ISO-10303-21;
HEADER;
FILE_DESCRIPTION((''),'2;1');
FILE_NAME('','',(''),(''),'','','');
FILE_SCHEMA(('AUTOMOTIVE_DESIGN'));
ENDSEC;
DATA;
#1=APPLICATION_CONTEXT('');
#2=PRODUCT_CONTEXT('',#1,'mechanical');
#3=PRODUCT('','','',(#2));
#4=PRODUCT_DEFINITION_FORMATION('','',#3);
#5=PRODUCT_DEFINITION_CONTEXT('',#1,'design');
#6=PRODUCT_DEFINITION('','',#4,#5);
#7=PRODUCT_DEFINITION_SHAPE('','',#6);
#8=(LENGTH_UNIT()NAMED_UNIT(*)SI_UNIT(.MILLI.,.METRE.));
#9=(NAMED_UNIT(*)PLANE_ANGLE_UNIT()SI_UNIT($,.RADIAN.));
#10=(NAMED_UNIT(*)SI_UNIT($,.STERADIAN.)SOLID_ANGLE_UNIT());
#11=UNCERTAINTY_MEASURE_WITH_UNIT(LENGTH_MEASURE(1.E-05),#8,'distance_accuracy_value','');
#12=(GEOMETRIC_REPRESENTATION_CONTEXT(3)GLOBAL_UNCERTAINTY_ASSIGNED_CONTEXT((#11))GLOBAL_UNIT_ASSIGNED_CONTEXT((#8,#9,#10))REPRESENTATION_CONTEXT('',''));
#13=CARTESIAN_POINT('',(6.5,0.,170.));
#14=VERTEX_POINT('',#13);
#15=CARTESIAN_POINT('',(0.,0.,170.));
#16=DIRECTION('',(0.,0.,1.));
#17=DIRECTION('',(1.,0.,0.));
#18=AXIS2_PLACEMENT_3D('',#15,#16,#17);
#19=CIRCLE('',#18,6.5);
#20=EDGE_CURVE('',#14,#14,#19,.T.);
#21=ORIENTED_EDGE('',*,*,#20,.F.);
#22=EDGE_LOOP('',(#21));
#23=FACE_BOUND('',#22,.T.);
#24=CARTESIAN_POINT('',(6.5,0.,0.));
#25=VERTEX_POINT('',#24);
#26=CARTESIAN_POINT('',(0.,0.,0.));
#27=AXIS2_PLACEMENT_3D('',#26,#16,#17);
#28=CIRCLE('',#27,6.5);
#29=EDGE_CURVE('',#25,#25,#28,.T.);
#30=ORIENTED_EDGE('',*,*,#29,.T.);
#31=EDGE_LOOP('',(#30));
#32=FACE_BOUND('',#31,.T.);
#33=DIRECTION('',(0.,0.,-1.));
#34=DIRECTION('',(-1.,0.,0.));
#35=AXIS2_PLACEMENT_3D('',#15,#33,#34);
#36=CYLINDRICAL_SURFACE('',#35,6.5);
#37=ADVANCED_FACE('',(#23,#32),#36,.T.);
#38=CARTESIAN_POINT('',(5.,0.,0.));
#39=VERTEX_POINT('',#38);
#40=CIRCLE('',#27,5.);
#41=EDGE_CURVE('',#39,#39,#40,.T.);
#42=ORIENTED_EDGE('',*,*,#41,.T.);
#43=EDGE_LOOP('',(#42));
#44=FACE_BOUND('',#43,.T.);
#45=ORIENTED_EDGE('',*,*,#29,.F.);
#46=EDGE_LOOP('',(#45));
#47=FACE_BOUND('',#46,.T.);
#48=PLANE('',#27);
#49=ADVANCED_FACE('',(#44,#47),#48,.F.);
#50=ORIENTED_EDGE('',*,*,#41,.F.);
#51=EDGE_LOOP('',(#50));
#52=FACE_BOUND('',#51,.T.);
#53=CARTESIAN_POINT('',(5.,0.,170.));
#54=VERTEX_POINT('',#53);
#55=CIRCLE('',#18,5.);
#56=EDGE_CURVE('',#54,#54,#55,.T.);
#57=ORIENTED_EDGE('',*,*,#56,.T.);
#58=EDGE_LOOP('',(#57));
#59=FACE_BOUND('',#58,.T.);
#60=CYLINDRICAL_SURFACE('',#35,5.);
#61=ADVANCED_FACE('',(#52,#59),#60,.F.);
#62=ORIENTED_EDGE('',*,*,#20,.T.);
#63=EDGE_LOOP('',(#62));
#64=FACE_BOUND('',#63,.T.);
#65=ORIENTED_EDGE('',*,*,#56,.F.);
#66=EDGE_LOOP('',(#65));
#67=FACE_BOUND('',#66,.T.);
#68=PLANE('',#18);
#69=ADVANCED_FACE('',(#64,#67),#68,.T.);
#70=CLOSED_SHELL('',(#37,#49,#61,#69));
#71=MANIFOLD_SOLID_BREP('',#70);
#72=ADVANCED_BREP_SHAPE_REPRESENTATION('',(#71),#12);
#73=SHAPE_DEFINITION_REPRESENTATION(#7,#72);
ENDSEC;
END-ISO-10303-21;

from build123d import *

# Parameters (mm, degrees)
SKETCH1_R           = 6.5
SKETCH1_R_2         = 5
EXTRUDE_THIN1_DEPTH = 170


with BuildPart() as part:
    # Sketch1 → Extrude-Thin1 (new body)
    with BuildSketch(Plane.XY):
        Circle(SKETCH1_R)
        Circle(SKETCH1_R_2, mode=Mode.SUBTRACT)
    extrude(amount=EXTRUDE_THIN1_DEPTH)


solid = part.part
